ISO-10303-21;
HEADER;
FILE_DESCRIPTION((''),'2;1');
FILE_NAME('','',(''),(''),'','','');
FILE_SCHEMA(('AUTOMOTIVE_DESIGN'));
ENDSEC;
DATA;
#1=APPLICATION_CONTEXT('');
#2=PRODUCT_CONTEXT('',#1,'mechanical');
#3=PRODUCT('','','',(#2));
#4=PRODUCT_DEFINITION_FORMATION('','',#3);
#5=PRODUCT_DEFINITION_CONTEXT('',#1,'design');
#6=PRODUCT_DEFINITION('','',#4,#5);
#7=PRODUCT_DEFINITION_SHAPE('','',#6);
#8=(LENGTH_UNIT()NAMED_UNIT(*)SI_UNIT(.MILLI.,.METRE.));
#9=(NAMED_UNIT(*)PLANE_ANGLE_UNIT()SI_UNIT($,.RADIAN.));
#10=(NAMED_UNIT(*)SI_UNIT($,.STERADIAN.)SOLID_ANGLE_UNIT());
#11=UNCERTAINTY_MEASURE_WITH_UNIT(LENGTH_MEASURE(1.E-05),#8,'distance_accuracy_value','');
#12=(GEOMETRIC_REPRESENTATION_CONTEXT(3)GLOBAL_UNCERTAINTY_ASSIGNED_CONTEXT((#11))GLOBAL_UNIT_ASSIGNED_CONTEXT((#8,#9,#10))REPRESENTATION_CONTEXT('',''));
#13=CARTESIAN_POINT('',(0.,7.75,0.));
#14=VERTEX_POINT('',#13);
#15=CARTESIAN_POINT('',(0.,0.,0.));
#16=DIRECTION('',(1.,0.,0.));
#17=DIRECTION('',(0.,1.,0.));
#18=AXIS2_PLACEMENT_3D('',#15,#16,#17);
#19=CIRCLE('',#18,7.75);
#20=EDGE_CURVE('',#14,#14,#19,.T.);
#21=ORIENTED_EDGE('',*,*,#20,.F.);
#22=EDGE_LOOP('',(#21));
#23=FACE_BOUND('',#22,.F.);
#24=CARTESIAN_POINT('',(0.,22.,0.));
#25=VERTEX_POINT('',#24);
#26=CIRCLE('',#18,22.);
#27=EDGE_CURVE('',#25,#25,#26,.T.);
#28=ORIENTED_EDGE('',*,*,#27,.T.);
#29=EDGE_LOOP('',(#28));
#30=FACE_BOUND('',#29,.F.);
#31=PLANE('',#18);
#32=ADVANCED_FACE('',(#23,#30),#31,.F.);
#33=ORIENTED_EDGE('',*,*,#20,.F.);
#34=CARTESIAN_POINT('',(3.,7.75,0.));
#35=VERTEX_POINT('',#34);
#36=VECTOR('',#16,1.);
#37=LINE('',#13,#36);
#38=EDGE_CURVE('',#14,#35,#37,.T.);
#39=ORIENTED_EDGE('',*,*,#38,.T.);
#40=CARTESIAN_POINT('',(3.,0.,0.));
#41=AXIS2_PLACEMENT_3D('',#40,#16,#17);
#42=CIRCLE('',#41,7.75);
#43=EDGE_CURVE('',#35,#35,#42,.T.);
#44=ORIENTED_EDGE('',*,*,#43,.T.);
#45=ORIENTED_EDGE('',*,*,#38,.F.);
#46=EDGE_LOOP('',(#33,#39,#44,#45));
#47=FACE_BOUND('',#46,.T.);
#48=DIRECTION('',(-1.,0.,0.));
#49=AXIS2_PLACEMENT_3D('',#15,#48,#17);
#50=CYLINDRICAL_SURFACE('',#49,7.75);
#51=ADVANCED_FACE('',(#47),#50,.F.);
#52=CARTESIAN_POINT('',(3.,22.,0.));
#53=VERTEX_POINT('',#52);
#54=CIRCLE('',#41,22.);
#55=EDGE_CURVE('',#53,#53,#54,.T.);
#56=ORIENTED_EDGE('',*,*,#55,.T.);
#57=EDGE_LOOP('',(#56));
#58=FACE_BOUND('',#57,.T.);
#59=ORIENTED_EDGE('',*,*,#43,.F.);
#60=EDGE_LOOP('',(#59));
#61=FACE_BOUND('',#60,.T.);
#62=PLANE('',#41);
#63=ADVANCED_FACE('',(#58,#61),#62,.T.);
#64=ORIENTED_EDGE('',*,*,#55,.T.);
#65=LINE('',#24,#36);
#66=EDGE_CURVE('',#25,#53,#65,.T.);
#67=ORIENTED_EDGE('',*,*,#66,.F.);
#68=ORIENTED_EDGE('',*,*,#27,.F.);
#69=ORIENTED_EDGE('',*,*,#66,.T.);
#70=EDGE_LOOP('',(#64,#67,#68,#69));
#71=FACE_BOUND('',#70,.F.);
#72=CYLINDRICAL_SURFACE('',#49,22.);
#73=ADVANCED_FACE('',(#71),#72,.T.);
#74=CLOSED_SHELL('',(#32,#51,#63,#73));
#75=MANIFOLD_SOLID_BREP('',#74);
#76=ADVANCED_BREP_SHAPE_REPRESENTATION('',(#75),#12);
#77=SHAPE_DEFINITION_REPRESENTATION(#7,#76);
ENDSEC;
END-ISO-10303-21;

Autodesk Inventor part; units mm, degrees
ref_plane "YZ Plane" through (0, 0, 0) normal (1, 0, 0) x (0, 1, 0)
ref_plane "XZ Plane" through (0, 0, 0) normal (0, 1, 0) x (-1, 0, 0)
sketch "Skizze" plane through (0, 0, 0) normal (1, 0, 0) x (0, 1, 0)
  circle A0 centre (0, 0) radius 22
  circle A1 centre (0, 0) radius 7.75
  dimension "d0" = 15.5
  dimension "d1" = 44
extrude "Körper" add sketch "Skizze" along normal blind 3
ref_plane "Work Plane1" through (0, 0, 0) normal (0, 0, 1) x (1, 0, 0)
equation "\"d0\" = SD1"
equation "\"d1\" = SD2"
equation "\"d2\" = SD"
equation "\"SD1\" = 15.5"
equation "\"SD2\" = 44"
equation "\"SD\" = 3"
equation "\"NND\" = 14"
properties part number "ISO 7093-2 - 14" material "Stahl, weich"
